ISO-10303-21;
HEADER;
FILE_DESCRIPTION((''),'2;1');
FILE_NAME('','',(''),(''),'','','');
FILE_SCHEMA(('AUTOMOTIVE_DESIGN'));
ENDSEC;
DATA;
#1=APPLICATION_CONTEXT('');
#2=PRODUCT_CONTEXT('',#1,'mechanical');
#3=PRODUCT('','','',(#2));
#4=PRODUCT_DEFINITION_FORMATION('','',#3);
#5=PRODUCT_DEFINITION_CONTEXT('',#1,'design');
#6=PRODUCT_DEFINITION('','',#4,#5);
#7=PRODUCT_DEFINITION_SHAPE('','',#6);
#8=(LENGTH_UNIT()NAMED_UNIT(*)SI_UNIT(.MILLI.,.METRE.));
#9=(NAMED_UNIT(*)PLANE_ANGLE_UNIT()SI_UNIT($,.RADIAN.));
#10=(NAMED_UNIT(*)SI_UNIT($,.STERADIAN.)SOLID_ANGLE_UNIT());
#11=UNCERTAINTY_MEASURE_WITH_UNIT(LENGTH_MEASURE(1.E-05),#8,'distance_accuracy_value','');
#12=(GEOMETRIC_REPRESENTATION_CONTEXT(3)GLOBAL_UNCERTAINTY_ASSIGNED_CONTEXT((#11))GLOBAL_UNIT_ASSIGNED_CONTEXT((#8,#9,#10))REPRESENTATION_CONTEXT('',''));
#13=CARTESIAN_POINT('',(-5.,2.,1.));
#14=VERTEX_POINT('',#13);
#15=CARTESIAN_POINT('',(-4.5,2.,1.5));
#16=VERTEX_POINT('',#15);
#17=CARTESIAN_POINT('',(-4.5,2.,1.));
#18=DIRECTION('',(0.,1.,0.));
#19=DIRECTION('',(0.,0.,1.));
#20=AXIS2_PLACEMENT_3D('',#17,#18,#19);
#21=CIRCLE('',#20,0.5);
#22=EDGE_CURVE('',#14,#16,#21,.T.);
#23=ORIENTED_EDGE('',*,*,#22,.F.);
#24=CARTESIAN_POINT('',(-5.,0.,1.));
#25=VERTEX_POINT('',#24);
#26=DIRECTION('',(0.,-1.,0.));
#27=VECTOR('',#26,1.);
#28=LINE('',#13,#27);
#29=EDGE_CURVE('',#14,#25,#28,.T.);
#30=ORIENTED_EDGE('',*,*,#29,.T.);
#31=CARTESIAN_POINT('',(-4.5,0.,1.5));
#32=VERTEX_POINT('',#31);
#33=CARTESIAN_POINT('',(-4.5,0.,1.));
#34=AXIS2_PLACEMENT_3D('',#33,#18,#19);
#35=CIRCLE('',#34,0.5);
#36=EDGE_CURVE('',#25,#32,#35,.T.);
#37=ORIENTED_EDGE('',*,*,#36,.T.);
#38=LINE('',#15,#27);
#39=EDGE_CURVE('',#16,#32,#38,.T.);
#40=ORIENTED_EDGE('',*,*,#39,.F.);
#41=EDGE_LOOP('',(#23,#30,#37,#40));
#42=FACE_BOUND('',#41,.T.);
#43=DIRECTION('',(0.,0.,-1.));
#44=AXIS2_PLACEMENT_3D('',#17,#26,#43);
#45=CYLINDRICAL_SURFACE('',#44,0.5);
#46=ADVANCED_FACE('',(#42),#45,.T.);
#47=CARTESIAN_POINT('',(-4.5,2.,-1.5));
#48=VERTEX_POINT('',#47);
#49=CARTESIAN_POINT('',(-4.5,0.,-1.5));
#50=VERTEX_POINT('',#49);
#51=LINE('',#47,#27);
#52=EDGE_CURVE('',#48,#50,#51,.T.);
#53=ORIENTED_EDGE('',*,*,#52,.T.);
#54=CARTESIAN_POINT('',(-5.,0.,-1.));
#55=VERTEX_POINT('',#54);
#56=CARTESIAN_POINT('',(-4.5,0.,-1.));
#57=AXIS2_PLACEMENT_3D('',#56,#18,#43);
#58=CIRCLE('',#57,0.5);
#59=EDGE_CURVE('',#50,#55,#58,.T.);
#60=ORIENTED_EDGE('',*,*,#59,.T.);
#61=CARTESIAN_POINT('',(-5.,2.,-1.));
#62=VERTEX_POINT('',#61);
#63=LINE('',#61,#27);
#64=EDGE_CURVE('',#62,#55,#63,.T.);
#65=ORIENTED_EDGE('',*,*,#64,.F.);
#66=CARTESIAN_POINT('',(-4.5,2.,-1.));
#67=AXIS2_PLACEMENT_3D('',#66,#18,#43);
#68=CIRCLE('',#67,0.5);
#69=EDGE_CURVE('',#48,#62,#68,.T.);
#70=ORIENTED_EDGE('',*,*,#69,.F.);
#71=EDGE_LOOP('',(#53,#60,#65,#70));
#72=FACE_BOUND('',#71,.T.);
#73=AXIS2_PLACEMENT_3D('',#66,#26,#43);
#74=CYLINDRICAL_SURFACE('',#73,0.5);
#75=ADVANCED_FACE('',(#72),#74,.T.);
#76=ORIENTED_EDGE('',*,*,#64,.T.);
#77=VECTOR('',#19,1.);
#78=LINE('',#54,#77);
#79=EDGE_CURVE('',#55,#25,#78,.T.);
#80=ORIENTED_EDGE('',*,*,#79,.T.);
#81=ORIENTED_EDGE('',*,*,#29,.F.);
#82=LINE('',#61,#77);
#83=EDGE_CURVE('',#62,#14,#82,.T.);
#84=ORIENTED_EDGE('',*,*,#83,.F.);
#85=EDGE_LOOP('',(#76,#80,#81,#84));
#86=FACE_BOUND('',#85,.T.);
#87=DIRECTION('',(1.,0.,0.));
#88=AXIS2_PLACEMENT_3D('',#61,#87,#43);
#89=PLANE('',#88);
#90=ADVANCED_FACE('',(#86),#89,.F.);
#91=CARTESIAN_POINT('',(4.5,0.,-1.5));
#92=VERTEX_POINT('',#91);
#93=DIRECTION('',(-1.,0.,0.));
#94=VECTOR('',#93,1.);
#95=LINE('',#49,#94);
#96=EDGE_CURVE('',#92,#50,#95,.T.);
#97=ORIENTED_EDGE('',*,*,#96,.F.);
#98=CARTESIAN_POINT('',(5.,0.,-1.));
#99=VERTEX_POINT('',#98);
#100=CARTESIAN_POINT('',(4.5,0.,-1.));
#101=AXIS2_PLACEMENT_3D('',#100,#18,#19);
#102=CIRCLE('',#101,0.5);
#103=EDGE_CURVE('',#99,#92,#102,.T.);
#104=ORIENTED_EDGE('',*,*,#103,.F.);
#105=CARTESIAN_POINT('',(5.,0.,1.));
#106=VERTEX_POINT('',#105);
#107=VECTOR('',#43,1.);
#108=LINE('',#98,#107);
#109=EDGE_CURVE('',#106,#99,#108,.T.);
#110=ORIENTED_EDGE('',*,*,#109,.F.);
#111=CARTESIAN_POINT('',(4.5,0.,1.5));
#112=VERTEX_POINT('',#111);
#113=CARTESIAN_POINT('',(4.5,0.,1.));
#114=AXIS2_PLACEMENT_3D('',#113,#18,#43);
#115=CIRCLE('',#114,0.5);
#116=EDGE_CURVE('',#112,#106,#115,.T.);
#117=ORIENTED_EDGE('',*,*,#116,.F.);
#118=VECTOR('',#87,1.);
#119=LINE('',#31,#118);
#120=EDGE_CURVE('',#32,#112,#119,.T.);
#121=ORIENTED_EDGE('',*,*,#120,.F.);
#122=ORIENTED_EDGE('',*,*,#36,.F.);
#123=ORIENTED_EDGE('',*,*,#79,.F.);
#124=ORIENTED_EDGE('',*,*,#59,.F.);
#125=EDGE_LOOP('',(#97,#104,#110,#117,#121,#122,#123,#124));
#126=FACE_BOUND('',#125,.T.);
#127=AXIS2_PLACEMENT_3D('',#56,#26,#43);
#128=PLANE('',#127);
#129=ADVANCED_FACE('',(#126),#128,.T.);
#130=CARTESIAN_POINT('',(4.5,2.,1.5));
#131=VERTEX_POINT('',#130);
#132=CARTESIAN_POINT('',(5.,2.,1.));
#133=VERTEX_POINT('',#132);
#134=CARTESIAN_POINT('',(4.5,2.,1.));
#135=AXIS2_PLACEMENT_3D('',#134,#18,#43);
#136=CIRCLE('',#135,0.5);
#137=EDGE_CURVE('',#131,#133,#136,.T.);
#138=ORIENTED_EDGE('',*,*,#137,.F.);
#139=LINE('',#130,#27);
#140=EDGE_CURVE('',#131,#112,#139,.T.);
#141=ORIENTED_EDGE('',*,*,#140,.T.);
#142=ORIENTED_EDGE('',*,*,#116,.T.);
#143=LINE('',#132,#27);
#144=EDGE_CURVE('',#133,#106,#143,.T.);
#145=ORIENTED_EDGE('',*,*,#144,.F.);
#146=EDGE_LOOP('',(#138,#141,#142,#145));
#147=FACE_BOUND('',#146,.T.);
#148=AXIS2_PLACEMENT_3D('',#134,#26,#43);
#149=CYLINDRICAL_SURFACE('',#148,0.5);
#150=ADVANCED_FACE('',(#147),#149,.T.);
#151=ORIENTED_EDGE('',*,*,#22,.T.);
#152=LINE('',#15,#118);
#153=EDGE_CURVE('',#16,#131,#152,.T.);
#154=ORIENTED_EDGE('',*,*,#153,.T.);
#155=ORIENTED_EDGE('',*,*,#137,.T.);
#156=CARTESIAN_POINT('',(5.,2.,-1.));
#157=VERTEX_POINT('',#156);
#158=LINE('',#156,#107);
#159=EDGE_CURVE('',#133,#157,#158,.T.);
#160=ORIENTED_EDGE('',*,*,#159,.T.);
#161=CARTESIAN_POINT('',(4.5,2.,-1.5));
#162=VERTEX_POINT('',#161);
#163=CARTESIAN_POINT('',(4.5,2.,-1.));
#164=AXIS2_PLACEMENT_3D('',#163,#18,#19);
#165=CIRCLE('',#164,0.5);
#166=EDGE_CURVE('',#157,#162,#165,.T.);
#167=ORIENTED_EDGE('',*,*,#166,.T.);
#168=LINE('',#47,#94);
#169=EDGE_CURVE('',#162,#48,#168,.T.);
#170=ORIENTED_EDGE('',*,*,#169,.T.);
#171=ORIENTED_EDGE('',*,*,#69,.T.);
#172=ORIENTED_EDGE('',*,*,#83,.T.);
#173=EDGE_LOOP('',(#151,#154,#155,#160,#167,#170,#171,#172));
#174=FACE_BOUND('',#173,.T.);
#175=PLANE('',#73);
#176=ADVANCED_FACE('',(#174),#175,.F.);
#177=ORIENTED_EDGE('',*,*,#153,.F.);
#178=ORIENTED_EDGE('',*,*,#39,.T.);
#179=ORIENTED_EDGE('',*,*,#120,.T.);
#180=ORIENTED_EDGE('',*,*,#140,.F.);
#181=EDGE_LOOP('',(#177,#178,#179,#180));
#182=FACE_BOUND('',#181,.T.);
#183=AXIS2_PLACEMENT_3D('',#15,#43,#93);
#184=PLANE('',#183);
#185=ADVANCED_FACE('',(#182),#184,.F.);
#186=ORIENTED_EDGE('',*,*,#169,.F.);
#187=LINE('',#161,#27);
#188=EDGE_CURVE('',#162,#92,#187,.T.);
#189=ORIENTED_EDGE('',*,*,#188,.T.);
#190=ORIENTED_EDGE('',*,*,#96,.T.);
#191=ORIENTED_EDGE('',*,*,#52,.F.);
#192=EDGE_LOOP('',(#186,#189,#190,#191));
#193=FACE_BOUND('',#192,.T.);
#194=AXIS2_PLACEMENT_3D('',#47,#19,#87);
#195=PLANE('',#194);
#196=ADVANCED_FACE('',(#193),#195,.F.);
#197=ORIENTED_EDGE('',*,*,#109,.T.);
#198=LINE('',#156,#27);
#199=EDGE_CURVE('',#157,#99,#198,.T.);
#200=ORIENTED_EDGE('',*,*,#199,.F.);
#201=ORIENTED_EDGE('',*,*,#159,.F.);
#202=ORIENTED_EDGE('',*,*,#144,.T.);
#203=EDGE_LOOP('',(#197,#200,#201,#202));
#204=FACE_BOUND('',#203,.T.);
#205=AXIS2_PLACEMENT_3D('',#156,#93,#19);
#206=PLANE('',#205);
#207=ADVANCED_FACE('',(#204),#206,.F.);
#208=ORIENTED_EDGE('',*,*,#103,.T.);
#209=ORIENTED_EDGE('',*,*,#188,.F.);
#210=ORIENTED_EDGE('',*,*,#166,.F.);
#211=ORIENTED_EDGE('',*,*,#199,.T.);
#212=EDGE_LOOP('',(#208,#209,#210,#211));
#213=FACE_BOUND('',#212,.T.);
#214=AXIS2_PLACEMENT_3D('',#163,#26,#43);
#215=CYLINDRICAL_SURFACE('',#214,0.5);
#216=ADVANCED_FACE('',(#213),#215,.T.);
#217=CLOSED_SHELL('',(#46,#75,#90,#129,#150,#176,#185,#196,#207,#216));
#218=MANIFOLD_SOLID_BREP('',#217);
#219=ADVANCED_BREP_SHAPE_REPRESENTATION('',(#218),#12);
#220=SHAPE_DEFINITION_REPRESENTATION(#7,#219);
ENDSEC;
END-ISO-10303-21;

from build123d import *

# Parameters (mm, degrees)
BOSS_EXTRUDE2_DEPTH = 2


with BuildPart() as part:
    # Sketch1 → Boss-Extrude2 (new body)
    with BuildSketch(Plane(origin=(0, 0, 0), x_dir=(1, 0, 0), z_dir=(0, 1, 0))):
        with BuildLine():
            Line((-4.5, 1.5), (4.5, 1.5))
            ThreePointArc((4.5, 1.5), (4.853553391, 1.353553391), (5, 1))
            Line((5, 1), (5, -1))
            ThreePointArc((5, -1), (4.853553391, -1.353553391), (4.5, -1.5))
            Line((4.5, -1.5), (-4.5, -1.5))
            ThreePointArc((-4.5, -1.5), (-4.853553391, -1.353553391), (-5, -1))
            Line((-5, -1), (-5, 1))
            ThreePointArc((-5, 1), (-4.853553391, 1.353553391), (-4.5, 1.5))
        make_face()
    extrude(amount=BOSS_EXTRUDE2_DEPTH)


solid = part.part
